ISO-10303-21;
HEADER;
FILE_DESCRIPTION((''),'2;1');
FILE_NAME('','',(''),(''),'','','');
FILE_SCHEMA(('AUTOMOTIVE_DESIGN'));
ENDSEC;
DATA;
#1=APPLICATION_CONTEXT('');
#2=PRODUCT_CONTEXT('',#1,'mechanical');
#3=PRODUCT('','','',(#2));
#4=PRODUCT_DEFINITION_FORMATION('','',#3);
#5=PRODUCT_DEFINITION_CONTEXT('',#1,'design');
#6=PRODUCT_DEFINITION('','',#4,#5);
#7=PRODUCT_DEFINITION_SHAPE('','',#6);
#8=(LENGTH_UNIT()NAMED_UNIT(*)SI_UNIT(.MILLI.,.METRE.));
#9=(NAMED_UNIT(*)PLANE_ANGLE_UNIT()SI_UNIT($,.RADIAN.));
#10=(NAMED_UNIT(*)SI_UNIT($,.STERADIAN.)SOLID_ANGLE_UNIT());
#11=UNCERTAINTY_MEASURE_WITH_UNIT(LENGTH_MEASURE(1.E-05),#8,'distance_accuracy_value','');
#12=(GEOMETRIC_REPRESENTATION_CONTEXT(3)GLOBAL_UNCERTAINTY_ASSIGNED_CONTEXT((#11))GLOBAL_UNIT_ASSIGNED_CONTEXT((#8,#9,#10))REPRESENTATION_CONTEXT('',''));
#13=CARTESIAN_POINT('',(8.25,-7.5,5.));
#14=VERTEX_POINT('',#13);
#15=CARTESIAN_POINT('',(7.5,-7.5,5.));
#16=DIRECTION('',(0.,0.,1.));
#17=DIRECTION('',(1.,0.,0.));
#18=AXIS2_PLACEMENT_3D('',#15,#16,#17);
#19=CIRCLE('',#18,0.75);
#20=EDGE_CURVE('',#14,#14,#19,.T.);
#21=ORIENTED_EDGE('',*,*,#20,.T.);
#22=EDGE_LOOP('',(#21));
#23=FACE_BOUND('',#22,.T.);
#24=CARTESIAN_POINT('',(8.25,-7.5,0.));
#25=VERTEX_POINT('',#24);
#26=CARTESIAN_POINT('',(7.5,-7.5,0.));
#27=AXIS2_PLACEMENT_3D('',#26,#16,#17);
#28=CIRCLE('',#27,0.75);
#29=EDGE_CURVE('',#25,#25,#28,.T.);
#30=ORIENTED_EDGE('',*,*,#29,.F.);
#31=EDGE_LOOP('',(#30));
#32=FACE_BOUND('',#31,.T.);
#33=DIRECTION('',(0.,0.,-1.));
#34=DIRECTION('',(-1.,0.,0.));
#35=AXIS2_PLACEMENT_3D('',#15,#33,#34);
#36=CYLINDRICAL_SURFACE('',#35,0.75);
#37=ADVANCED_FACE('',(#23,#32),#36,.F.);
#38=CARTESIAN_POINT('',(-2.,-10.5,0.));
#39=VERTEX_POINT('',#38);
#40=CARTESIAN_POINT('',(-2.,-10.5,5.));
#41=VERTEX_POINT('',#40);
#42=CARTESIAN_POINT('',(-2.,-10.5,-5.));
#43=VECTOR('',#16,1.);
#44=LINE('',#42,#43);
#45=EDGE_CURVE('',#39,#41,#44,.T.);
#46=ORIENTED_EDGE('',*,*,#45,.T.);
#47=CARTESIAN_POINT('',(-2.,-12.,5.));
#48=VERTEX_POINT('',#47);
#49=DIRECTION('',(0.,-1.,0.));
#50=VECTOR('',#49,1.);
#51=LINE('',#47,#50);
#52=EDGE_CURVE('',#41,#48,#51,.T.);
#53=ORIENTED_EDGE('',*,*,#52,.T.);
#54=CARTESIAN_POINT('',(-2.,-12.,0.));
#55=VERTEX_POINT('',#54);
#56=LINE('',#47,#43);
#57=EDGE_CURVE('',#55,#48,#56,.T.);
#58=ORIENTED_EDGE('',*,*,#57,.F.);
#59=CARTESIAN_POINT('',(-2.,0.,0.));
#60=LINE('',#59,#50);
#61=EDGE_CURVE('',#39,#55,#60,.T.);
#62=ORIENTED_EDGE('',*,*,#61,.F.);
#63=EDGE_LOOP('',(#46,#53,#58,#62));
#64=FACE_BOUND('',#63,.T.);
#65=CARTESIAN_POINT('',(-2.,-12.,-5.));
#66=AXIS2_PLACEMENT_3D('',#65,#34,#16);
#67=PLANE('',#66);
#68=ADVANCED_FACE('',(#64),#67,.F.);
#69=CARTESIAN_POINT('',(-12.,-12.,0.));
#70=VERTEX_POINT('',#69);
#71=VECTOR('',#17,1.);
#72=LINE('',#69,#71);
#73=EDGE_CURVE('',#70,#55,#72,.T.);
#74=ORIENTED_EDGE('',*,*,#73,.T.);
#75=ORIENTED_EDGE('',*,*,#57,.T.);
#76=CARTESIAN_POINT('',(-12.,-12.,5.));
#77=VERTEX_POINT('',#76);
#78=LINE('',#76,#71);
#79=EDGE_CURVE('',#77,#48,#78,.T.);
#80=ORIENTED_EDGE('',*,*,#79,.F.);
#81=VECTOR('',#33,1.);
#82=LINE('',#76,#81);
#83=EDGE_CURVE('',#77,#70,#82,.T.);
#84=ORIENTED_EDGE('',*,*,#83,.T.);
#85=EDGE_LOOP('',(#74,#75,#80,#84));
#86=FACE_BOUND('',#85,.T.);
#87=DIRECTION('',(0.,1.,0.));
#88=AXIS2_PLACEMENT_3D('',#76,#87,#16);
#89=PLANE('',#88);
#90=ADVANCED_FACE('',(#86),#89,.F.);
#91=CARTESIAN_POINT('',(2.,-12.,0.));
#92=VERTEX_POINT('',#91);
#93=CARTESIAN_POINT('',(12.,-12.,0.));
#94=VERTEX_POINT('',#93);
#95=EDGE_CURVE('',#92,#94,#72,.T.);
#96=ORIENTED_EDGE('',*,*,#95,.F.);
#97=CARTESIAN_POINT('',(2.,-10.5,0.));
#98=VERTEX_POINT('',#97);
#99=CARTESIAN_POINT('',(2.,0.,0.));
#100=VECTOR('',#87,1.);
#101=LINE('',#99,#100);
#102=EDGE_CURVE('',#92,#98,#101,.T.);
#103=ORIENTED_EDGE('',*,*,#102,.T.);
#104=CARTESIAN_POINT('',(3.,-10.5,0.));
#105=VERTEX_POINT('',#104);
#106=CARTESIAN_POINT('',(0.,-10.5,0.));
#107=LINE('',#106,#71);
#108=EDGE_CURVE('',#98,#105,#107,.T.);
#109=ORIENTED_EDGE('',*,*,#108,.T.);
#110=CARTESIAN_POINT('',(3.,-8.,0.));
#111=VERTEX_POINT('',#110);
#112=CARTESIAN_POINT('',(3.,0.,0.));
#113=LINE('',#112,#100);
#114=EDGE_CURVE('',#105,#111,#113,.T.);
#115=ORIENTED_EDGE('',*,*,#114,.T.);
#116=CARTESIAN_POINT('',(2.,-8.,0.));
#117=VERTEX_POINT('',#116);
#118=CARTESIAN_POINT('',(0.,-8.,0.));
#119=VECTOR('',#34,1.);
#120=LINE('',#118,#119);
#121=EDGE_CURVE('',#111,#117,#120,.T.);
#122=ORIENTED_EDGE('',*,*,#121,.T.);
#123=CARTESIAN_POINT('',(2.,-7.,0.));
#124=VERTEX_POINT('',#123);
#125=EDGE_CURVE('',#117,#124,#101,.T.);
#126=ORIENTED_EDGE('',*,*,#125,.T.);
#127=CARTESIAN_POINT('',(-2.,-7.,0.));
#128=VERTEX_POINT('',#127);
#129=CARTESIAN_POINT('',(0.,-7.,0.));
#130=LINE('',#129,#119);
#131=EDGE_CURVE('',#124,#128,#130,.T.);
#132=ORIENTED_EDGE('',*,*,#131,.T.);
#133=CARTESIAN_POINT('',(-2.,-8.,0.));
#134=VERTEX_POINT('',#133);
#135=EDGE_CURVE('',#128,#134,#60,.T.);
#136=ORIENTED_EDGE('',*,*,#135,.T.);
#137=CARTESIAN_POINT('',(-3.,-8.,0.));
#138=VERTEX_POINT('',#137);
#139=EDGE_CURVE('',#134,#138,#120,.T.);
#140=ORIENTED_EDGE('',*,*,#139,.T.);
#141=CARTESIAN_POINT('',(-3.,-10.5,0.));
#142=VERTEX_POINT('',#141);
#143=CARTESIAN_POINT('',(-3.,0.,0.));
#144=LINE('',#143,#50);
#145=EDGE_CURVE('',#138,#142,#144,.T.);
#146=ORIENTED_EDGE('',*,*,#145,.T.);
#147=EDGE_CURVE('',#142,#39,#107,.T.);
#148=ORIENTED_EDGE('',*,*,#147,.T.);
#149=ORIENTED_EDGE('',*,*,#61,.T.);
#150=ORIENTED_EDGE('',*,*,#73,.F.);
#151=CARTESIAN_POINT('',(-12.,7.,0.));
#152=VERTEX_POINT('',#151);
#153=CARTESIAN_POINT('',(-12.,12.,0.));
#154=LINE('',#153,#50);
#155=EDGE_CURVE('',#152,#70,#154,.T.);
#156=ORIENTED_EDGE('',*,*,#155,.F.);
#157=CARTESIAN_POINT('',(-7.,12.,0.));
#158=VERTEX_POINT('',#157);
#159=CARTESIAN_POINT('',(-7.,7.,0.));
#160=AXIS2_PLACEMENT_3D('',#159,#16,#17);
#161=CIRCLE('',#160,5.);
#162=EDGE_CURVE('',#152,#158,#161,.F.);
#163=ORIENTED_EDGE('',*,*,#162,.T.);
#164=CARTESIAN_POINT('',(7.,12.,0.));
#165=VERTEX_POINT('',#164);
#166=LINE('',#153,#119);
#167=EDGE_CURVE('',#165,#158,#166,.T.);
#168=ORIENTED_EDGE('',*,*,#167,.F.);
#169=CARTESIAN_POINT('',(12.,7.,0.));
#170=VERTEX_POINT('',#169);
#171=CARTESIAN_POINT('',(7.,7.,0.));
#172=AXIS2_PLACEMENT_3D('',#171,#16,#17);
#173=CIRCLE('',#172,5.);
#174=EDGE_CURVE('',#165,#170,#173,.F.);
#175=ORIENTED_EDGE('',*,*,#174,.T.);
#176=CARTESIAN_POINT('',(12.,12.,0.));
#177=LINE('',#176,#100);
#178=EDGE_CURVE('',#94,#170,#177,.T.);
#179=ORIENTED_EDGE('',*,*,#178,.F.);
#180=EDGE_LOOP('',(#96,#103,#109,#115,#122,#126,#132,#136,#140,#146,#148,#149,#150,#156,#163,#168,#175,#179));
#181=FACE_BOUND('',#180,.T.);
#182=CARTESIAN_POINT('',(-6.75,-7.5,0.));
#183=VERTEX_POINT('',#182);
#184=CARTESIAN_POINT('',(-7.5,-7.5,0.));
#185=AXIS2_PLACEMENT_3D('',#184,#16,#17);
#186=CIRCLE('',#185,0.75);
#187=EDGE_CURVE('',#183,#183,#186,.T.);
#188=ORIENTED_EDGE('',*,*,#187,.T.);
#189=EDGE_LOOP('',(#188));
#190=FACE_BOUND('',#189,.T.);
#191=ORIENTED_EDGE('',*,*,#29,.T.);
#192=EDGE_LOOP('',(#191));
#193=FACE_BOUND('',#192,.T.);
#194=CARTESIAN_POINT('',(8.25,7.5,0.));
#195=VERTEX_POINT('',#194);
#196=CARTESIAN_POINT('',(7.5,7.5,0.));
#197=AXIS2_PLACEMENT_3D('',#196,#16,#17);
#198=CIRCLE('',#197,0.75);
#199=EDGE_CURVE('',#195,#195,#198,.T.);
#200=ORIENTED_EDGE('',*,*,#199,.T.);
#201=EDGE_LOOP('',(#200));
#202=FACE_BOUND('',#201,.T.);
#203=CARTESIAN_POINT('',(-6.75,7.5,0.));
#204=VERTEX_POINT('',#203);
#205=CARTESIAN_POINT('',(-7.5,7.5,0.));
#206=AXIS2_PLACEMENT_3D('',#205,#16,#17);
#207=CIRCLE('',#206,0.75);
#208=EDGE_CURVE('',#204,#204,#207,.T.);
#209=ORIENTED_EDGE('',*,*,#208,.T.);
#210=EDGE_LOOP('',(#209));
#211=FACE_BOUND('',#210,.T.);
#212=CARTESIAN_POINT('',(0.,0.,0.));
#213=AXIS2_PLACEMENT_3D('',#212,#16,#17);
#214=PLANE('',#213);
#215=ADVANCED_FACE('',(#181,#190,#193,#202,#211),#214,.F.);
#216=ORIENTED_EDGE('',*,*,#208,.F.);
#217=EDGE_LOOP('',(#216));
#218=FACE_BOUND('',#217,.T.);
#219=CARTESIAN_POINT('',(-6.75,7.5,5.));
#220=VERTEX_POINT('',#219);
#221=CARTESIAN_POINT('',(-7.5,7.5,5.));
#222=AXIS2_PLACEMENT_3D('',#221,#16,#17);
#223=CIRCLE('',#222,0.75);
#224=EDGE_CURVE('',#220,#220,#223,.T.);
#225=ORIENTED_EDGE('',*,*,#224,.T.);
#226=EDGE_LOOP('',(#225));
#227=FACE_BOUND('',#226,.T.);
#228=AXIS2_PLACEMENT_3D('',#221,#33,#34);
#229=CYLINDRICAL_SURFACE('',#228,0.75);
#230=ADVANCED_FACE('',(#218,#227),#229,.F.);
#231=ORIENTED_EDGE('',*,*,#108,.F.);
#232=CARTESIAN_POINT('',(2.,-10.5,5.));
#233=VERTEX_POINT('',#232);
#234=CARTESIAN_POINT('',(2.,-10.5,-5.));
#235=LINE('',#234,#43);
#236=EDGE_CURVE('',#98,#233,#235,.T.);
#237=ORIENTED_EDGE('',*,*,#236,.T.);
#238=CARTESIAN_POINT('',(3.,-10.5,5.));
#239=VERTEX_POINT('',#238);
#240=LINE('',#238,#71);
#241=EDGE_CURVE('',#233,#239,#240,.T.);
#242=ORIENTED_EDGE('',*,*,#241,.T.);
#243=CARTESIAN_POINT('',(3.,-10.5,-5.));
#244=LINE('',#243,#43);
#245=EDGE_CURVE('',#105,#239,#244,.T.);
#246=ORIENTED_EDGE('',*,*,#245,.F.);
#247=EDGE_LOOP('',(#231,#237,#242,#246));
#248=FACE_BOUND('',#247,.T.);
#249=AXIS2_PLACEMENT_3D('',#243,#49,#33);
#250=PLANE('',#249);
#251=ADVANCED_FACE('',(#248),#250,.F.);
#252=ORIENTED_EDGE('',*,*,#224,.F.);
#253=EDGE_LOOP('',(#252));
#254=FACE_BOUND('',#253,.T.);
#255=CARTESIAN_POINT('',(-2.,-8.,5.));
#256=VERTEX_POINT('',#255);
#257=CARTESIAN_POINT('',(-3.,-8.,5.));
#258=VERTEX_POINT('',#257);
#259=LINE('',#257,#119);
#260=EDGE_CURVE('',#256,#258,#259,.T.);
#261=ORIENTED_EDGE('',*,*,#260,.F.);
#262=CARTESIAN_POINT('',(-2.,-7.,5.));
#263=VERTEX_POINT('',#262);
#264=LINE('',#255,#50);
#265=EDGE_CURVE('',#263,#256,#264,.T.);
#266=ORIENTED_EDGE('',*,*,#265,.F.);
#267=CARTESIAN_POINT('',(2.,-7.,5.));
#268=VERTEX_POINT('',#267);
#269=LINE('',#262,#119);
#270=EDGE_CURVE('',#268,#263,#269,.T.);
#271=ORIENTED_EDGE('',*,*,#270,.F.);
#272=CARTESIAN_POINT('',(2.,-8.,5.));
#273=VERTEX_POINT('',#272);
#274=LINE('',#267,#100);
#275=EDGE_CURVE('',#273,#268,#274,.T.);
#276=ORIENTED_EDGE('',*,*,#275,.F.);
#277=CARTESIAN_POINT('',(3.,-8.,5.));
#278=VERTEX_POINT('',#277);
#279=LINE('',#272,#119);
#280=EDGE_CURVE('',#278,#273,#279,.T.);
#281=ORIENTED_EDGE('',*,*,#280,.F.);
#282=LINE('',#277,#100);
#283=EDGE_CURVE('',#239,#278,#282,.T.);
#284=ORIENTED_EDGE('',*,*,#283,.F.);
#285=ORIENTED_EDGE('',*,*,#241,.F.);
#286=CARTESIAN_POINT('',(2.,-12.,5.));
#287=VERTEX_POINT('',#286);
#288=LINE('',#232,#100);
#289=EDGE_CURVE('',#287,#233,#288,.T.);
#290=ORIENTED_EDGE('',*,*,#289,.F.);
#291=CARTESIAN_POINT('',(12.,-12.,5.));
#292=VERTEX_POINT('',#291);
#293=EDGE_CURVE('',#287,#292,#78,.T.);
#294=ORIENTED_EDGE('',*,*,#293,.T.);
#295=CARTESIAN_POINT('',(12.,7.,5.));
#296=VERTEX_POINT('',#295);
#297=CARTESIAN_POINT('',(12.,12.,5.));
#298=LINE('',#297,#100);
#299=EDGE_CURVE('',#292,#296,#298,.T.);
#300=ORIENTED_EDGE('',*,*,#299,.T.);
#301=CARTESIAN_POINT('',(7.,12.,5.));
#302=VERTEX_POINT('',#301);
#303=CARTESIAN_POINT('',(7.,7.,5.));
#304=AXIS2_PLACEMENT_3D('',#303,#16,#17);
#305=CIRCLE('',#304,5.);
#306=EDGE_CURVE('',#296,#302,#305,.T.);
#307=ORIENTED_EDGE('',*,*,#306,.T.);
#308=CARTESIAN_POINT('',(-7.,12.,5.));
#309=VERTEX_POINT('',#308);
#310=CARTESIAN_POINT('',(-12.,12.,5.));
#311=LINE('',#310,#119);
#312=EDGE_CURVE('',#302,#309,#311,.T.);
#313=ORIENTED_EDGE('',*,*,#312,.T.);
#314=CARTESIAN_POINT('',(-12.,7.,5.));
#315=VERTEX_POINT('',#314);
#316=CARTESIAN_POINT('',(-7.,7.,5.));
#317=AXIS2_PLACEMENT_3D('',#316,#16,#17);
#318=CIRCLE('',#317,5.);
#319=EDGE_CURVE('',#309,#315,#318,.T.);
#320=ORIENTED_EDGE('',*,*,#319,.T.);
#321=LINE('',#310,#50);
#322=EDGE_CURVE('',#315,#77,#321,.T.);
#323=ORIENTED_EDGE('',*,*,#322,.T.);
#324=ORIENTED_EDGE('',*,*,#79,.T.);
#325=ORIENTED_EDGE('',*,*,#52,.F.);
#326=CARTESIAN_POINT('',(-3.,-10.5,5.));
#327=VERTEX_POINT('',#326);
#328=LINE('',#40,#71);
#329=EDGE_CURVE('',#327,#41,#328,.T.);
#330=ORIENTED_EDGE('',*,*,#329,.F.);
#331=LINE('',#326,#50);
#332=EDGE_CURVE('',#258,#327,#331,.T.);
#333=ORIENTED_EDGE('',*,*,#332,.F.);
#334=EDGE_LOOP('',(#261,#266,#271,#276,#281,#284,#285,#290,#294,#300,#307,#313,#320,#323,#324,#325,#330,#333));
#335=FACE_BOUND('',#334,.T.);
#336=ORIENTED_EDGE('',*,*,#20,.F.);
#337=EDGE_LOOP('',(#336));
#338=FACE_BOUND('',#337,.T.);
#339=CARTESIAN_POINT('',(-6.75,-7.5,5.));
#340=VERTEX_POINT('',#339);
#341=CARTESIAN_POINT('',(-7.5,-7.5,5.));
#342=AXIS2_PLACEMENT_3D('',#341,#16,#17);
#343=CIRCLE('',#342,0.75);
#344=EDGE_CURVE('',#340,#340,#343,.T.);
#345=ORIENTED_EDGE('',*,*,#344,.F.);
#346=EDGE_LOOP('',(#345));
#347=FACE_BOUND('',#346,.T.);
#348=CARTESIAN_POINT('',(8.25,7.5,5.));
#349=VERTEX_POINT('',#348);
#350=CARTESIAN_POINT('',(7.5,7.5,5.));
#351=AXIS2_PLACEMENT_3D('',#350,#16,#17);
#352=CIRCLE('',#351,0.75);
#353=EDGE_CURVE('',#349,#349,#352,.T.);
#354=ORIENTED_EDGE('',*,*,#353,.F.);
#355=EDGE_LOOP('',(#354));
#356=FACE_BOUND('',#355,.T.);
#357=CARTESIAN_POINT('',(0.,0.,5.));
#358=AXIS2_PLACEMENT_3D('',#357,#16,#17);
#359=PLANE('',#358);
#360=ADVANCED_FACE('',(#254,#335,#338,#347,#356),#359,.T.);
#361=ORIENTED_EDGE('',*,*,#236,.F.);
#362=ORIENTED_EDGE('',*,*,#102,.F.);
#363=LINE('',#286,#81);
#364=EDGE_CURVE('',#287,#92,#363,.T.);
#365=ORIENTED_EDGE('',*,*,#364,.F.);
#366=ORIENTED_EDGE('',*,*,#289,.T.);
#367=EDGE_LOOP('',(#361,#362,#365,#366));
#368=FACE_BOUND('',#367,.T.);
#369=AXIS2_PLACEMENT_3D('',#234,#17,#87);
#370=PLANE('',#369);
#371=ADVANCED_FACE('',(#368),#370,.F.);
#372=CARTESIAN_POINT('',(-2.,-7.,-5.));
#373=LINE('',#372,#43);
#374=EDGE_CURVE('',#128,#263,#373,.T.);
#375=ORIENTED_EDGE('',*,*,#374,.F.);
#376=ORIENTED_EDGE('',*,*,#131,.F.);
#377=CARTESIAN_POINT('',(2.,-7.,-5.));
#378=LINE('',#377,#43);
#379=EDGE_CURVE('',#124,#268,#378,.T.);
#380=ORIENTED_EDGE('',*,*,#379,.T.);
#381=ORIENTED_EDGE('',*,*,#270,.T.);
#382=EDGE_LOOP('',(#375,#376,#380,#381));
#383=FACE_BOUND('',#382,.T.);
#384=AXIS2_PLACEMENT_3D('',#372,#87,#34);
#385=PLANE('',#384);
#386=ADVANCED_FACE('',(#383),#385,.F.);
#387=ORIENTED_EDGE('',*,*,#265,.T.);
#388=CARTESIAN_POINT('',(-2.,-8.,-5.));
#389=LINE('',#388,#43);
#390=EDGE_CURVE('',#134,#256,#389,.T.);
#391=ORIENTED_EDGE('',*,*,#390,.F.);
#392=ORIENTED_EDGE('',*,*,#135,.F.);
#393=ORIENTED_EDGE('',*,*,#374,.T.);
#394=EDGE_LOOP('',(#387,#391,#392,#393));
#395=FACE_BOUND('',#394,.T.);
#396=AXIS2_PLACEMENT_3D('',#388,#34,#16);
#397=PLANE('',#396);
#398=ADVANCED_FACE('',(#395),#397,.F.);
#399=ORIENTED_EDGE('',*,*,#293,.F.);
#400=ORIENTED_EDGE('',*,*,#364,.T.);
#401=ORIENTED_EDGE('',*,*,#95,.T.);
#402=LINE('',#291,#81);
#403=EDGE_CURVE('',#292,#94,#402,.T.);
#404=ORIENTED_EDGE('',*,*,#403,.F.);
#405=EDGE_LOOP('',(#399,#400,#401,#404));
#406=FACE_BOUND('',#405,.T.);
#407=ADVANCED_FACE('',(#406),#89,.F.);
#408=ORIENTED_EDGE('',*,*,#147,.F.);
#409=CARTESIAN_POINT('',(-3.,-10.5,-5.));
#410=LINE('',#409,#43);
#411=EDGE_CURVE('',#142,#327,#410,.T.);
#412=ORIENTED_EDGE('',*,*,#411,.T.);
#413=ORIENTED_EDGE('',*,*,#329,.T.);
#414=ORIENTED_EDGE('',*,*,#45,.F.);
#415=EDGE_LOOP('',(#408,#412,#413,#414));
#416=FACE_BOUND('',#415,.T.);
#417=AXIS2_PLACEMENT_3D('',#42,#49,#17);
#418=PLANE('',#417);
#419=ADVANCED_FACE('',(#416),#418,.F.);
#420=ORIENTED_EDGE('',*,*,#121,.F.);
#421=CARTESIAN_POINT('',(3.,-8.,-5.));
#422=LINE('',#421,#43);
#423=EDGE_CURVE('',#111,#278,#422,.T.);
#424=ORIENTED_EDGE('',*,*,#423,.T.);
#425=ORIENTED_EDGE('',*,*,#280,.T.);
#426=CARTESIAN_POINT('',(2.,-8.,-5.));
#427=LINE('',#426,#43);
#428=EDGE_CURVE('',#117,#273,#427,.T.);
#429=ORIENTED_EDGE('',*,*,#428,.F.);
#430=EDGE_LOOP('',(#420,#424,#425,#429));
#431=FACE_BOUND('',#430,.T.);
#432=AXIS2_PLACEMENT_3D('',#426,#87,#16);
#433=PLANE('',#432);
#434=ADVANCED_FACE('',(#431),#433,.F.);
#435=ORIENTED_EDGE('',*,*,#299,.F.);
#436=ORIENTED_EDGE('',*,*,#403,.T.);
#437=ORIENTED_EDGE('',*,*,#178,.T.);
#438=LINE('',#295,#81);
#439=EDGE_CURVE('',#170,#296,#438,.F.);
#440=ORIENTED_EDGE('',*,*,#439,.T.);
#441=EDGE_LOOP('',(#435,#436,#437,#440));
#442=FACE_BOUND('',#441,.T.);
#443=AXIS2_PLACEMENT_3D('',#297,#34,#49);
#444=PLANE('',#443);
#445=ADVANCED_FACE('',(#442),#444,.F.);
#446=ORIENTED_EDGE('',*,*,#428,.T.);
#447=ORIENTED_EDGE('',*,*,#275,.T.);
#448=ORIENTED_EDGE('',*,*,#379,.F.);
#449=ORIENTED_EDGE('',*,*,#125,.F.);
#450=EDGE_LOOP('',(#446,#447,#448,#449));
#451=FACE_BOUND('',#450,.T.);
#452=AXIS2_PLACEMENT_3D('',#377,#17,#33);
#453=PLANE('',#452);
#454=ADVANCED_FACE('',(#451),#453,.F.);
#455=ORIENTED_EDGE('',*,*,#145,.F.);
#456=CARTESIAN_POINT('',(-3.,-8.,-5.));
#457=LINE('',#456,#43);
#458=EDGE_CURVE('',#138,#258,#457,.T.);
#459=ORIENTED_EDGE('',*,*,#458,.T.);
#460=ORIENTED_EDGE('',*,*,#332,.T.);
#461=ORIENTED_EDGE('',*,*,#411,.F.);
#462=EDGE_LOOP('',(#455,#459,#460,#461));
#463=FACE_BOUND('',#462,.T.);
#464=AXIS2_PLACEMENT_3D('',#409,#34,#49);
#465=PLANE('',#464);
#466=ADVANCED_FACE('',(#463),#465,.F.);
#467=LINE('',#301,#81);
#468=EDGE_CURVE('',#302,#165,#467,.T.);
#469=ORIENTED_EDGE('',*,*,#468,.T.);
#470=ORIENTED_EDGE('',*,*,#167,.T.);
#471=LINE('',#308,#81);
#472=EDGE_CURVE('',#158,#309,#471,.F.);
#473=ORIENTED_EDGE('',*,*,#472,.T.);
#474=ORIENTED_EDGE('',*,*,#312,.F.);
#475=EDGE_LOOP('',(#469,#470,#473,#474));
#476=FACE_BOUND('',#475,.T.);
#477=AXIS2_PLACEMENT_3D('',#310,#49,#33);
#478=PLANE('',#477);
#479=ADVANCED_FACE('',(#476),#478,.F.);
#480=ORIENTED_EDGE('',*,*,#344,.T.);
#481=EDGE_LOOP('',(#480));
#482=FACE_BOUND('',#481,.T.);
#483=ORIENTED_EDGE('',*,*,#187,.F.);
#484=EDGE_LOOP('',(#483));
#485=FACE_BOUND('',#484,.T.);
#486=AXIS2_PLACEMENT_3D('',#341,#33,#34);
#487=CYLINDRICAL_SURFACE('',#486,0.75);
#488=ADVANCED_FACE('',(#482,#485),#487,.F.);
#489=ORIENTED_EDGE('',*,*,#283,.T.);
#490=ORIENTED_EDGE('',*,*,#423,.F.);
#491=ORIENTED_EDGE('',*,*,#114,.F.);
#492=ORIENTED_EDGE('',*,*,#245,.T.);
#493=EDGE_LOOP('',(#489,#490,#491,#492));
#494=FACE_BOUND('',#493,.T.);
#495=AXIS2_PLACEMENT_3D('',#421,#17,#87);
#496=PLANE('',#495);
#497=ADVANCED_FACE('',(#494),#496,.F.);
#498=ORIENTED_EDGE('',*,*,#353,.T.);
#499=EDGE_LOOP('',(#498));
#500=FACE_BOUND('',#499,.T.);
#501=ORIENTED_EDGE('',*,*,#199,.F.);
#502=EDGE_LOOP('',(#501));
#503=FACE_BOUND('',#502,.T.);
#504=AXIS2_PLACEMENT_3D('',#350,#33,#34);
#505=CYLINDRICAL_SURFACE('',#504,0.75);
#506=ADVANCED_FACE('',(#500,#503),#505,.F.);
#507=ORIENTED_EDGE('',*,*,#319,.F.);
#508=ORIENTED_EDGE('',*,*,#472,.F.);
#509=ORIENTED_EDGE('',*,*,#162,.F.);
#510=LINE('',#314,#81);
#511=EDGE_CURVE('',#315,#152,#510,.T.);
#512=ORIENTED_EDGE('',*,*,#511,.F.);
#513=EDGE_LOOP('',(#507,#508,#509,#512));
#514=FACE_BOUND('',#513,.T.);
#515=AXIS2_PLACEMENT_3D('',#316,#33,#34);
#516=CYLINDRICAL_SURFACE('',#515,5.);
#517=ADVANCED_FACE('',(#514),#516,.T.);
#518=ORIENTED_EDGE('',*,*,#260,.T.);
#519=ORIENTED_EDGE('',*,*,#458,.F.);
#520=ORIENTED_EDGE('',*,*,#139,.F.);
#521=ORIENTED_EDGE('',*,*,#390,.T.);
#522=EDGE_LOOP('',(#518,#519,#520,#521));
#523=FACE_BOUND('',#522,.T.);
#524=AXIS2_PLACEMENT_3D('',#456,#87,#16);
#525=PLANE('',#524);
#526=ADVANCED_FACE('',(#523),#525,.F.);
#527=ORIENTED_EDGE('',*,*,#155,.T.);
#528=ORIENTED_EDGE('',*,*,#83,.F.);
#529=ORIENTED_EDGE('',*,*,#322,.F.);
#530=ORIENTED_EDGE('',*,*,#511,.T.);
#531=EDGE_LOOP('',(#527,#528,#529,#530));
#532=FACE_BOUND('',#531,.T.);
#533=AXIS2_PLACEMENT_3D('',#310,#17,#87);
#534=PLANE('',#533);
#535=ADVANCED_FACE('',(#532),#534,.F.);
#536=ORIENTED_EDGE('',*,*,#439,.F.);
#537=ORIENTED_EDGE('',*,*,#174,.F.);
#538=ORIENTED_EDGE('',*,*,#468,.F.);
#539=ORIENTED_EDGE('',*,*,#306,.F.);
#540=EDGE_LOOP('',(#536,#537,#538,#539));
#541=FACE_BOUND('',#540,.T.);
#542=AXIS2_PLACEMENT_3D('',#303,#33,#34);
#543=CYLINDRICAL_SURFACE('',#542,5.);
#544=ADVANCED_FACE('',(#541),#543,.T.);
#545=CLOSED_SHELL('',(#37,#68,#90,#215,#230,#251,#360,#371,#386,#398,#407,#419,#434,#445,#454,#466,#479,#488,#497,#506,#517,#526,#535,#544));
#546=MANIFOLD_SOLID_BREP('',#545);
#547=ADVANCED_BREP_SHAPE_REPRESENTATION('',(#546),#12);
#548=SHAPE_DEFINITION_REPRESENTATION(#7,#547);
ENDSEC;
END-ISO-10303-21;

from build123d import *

# Parameters (mm, degrees)
SKETCH1_W           = 24
SKETCH1_H           = 24
SKETCH1_R           = 0.75
BOSS_EXTRUDE1_DEPTH = 5
FILLET1_R           = 5
CUT_EXTRUDE1_DEPTH  = 10


with BuildPart() as part:
    # Sketch1 → Boss-Extrude1 (new body)
    with BuildSketch(Plane.XY):
        Rectangle(SKETCH1_W, SKETCH1_H)
        with Locations((-7.5, 7.5)):
            Circle(SKETCH1_R, mode=Mode.SUBTRACT)
        with Locations((7.5, 7.5)):
            Circle(SKETCH1_R, mode=Mode.SUBTRACT)
        with Locations((7.5, -7.5)):
            Circle(SKETCH1_R, mode=Mode.SUBTRACT)
        with Locations((-7.5, -7.5)):
            Circle(SKETCH1_R, mode=Mode.SUBTRACT)
    extrude(amount=BOSS_EXTRUDE1_DEPTH)

    # Fillet1
    fillet1_edges = [part.edges().sort_by_distance(p)[0] for p in [
        (-12, 12, 2.5),
        (12, 12, 2.5),
    ]]
    fillet(fillet1_edges, radius=FILLET1_R)

    # Sketch2 → Cut-Extrude1 (cut)
    with BuildSketch(Plane.XY.offset(5)):
        Polygon((-2, -12), (-2, -10.5), (-3, -10.5), (-3, -8), (-2, -8), (-2, -7), (2, -7), (2, -8), (3, -8), (3, -10.5), (2, -10.5), (2, -12), align=None)
    extrude(amount=-CUT_EXTRUDE1_DEPTH, mode=Mode.SUBTRACT)


solid = part.part
